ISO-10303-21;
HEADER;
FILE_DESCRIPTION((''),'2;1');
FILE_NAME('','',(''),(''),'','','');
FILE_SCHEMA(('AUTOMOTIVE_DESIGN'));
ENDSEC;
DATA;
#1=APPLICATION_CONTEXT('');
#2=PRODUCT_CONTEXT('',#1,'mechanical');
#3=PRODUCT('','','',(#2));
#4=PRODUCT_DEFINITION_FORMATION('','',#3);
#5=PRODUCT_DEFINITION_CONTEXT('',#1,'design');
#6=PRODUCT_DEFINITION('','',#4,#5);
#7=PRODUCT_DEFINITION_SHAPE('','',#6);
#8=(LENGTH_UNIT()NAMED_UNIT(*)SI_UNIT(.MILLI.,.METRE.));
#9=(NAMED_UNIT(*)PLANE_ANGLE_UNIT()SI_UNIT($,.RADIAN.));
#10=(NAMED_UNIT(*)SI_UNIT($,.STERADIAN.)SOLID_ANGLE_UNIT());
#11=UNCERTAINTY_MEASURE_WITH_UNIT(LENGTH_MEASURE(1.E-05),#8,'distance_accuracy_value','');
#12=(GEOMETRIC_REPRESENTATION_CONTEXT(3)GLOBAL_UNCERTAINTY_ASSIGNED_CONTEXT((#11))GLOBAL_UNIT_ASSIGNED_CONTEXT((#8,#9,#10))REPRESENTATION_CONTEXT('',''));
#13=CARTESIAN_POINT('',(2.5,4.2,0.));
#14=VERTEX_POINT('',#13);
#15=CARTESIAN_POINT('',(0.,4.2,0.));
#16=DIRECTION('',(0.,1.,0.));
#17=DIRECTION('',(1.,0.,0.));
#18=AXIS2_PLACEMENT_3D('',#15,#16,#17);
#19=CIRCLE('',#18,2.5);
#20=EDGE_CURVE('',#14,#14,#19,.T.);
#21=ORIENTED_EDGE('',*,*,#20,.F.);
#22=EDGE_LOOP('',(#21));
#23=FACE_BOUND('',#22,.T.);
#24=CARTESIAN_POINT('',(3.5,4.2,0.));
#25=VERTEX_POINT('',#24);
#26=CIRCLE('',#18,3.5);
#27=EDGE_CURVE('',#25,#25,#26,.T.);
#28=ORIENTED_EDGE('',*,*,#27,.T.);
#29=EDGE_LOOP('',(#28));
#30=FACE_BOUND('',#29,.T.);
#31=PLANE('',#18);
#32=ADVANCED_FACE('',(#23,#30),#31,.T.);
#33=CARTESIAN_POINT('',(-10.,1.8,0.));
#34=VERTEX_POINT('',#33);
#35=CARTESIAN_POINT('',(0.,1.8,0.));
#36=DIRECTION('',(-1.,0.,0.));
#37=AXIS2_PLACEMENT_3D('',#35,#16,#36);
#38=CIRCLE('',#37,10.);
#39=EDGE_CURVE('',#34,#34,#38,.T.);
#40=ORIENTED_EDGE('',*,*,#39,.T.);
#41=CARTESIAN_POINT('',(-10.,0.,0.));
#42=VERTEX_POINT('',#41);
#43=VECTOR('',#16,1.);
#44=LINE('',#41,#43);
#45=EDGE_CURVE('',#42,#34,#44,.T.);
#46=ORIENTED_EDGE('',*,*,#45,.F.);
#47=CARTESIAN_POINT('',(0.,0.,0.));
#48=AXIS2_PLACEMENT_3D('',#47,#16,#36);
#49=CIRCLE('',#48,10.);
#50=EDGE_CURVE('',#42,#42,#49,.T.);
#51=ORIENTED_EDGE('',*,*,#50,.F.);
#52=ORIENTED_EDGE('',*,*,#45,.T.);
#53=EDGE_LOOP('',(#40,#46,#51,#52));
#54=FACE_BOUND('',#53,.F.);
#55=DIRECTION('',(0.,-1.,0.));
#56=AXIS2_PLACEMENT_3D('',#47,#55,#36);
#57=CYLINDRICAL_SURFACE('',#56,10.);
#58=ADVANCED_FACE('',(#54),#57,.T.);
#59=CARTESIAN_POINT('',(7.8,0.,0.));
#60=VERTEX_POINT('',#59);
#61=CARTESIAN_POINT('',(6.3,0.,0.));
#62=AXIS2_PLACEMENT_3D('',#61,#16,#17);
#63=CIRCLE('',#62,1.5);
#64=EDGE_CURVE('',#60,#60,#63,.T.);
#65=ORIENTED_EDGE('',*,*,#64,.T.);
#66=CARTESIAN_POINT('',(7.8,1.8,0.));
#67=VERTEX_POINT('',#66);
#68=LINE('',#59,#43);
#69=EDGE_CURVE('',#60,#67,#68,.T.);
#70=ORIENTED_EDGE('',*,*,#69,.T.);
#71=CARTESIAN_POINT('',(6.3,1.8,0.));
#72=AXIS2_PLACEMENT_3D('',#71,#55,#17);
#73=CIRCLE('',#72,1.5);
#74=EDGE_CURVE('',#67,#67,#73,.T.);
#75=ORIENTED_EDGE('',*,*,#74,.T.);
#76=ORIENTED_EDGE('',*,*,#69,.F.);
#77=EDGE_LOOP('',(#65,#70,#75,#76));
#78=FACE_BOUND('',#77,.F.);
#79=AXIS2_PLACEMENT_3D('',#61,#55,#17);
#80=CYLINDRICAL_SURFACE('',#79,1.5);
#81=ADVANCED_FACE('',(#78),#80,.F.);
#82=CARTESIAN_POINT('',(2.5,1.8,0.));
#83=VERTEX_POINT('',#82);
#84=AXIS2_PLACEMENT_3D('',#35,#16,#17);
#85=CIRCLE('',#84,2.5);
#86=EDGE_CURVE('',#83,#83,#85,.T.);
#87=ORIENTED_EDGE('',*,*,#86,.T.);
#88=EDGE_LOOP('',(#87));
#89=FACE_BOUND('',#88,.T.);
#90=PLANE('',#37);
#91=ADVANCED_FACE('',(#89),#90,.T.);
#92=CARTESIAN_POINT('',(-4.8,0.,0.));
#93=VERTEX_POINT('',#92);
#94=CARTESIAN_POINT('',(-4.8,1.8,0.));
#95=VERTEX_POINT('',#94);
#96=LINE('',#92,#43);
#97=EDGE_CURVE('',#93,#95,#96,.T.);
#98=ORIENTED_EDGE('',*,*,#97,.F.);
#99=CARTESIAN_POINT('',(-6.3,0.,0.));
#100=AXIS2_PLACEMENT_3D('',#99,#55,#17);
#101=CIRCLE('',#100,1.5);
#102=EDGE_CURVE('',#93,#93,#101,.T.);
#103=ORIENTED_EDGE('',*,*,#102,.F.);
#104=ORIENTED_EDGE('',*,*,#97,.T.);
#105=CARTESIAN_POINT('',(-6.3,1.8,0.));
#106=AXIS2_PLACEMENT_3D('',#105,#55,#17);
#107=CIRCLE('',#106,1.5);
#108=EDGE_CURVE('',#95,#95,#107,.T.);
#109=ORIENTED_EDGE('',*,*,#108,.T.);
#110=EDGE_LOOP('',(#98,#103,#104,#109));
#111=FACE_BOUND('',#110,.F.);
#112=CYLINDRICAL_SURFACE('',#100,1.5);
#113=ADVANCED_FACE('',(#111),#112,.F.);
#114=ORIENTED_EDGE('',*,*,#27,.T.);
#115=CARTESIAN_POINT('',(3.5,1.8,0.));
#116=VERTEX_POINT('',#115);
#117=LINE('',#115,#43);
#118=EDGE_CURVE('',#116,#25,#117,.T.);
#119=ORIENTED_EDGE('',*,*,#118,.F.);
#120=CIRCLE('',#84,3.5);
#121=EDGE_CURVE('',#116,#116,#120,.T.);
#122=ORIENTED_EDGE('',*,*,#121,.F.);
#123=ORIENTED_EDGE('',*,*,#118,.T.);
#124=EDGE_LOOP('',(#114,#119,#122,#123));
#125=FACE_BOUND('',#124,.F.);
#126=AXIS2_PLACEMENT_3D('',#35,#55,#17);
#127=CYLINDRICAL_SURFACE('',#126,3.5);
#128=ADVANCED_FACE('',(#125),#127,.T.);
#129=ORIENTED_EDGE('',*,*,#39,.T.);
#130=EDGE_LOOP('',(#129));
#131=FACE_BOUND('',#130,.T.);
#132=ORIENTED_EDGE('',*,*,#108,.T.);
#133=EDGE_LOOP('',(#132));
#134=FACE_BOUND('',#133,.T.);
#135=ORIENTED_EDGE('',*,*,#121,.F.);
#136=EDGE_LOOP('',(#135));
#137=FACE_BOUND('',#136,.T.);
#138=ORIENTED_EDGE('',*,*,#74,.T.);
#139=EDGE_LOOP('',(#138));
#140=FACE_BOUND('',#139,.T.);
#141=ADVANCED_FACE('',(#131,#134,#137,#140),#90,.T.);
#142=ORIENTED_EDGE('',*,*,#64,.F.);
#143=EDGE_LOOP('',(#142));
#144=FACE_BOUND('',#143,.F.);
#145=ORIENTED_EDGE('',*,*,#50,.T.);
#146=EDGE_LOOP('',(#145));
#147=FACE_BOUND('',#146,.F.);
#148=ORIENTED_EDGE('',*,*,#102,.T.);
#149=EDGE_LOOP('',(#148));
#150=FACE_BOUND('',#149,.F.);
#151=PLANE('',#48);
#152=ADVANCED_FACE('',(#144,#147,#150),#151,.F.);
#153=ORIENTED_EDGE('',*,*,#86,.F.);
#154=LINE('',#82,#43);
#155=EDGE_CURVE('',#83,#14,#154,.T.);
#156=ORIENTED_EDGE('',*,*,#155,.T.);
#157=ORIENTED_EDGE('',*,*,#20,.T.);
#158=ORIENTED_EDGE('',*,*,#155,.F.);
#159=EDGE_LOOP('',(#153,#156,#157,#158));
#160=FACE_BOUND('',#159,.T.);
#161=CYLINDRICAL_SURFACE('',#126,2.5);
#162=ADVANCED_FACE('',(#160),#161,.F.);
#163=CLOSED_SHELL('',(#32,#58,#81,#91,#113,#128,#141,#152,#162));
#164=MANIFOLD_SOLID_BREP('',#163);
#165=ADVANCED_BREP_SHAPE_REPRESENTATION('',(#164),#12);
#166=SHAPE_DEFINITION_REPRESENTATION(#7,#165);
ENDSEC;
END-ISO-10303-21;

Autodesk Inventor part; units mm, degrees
ref_plane "YZ Plane" through (0, 0, 0) normal (1, 0, 0) x (0, 1, 0)
ref_plane "XZ Plane" through (0, 0, 0) normal (0, 1, 0) x (-1, 0, 0)
ref_plane "XY Plane" through (0, 0, 0) normal (0, 0, 1) x (1, 0, 0)
sketch "Sketch1" plane through (0, 0, 0) normal (0, 1, 0) x (-1, 0, 0)
  circle A0 centre (0, 0) radius 10
  dimension "d0" = 20
extrude "Extrusion1" add sketch "Sketch1" along normal blind 1.8
sketch "Sketch3" plane through (0, 1.8, 0) normal (0, 1, 0) x (1, 0, 0)
  circle A0 centre (0, 0) radius 10 projected
  circle A1 centre (0, 0) radius 3.5
  circle A2 centre (0, 0) radius 2.5
  dimension "d3" = 7
  dimension "d4" = 5
extrude "Extrusion2" add sketch "Sketch3" along normal blind 2.4 contours A1
sketch "Sketch4" plane through (0, 0, 0) normal (0, -1, 0) x (1, 0, 0)
  circle A0 centre (0, 0) radius 10 projected
  line L0 (0, 0) -> (6.3, 0)
  circle A1 centre (6.3, 0) radius 1.5
  dimension "d7" = 6.3
  dimension "d8" = 3
extrude "Extrusion3" cut sketch "Sketch4" against normal blind 2.4 contours A1
sketch "Sketch5" plane through (0, 0, 0) normal (0, -1, 0) x (1, 0, 0)
  circle A0 centre (0, 0) radius 10 projected
  line L0 (0, 0) -> (-6.3, 0)
  circle A1 centre (-6.3, 0) radius 1.5
  dimension "d11" = 6.3
  dimension "d12" = 3
extrude "Extrusion4" cut sketch "Sketch5" against normal blind 2 contours A1
properties part number "paka2_micro"
